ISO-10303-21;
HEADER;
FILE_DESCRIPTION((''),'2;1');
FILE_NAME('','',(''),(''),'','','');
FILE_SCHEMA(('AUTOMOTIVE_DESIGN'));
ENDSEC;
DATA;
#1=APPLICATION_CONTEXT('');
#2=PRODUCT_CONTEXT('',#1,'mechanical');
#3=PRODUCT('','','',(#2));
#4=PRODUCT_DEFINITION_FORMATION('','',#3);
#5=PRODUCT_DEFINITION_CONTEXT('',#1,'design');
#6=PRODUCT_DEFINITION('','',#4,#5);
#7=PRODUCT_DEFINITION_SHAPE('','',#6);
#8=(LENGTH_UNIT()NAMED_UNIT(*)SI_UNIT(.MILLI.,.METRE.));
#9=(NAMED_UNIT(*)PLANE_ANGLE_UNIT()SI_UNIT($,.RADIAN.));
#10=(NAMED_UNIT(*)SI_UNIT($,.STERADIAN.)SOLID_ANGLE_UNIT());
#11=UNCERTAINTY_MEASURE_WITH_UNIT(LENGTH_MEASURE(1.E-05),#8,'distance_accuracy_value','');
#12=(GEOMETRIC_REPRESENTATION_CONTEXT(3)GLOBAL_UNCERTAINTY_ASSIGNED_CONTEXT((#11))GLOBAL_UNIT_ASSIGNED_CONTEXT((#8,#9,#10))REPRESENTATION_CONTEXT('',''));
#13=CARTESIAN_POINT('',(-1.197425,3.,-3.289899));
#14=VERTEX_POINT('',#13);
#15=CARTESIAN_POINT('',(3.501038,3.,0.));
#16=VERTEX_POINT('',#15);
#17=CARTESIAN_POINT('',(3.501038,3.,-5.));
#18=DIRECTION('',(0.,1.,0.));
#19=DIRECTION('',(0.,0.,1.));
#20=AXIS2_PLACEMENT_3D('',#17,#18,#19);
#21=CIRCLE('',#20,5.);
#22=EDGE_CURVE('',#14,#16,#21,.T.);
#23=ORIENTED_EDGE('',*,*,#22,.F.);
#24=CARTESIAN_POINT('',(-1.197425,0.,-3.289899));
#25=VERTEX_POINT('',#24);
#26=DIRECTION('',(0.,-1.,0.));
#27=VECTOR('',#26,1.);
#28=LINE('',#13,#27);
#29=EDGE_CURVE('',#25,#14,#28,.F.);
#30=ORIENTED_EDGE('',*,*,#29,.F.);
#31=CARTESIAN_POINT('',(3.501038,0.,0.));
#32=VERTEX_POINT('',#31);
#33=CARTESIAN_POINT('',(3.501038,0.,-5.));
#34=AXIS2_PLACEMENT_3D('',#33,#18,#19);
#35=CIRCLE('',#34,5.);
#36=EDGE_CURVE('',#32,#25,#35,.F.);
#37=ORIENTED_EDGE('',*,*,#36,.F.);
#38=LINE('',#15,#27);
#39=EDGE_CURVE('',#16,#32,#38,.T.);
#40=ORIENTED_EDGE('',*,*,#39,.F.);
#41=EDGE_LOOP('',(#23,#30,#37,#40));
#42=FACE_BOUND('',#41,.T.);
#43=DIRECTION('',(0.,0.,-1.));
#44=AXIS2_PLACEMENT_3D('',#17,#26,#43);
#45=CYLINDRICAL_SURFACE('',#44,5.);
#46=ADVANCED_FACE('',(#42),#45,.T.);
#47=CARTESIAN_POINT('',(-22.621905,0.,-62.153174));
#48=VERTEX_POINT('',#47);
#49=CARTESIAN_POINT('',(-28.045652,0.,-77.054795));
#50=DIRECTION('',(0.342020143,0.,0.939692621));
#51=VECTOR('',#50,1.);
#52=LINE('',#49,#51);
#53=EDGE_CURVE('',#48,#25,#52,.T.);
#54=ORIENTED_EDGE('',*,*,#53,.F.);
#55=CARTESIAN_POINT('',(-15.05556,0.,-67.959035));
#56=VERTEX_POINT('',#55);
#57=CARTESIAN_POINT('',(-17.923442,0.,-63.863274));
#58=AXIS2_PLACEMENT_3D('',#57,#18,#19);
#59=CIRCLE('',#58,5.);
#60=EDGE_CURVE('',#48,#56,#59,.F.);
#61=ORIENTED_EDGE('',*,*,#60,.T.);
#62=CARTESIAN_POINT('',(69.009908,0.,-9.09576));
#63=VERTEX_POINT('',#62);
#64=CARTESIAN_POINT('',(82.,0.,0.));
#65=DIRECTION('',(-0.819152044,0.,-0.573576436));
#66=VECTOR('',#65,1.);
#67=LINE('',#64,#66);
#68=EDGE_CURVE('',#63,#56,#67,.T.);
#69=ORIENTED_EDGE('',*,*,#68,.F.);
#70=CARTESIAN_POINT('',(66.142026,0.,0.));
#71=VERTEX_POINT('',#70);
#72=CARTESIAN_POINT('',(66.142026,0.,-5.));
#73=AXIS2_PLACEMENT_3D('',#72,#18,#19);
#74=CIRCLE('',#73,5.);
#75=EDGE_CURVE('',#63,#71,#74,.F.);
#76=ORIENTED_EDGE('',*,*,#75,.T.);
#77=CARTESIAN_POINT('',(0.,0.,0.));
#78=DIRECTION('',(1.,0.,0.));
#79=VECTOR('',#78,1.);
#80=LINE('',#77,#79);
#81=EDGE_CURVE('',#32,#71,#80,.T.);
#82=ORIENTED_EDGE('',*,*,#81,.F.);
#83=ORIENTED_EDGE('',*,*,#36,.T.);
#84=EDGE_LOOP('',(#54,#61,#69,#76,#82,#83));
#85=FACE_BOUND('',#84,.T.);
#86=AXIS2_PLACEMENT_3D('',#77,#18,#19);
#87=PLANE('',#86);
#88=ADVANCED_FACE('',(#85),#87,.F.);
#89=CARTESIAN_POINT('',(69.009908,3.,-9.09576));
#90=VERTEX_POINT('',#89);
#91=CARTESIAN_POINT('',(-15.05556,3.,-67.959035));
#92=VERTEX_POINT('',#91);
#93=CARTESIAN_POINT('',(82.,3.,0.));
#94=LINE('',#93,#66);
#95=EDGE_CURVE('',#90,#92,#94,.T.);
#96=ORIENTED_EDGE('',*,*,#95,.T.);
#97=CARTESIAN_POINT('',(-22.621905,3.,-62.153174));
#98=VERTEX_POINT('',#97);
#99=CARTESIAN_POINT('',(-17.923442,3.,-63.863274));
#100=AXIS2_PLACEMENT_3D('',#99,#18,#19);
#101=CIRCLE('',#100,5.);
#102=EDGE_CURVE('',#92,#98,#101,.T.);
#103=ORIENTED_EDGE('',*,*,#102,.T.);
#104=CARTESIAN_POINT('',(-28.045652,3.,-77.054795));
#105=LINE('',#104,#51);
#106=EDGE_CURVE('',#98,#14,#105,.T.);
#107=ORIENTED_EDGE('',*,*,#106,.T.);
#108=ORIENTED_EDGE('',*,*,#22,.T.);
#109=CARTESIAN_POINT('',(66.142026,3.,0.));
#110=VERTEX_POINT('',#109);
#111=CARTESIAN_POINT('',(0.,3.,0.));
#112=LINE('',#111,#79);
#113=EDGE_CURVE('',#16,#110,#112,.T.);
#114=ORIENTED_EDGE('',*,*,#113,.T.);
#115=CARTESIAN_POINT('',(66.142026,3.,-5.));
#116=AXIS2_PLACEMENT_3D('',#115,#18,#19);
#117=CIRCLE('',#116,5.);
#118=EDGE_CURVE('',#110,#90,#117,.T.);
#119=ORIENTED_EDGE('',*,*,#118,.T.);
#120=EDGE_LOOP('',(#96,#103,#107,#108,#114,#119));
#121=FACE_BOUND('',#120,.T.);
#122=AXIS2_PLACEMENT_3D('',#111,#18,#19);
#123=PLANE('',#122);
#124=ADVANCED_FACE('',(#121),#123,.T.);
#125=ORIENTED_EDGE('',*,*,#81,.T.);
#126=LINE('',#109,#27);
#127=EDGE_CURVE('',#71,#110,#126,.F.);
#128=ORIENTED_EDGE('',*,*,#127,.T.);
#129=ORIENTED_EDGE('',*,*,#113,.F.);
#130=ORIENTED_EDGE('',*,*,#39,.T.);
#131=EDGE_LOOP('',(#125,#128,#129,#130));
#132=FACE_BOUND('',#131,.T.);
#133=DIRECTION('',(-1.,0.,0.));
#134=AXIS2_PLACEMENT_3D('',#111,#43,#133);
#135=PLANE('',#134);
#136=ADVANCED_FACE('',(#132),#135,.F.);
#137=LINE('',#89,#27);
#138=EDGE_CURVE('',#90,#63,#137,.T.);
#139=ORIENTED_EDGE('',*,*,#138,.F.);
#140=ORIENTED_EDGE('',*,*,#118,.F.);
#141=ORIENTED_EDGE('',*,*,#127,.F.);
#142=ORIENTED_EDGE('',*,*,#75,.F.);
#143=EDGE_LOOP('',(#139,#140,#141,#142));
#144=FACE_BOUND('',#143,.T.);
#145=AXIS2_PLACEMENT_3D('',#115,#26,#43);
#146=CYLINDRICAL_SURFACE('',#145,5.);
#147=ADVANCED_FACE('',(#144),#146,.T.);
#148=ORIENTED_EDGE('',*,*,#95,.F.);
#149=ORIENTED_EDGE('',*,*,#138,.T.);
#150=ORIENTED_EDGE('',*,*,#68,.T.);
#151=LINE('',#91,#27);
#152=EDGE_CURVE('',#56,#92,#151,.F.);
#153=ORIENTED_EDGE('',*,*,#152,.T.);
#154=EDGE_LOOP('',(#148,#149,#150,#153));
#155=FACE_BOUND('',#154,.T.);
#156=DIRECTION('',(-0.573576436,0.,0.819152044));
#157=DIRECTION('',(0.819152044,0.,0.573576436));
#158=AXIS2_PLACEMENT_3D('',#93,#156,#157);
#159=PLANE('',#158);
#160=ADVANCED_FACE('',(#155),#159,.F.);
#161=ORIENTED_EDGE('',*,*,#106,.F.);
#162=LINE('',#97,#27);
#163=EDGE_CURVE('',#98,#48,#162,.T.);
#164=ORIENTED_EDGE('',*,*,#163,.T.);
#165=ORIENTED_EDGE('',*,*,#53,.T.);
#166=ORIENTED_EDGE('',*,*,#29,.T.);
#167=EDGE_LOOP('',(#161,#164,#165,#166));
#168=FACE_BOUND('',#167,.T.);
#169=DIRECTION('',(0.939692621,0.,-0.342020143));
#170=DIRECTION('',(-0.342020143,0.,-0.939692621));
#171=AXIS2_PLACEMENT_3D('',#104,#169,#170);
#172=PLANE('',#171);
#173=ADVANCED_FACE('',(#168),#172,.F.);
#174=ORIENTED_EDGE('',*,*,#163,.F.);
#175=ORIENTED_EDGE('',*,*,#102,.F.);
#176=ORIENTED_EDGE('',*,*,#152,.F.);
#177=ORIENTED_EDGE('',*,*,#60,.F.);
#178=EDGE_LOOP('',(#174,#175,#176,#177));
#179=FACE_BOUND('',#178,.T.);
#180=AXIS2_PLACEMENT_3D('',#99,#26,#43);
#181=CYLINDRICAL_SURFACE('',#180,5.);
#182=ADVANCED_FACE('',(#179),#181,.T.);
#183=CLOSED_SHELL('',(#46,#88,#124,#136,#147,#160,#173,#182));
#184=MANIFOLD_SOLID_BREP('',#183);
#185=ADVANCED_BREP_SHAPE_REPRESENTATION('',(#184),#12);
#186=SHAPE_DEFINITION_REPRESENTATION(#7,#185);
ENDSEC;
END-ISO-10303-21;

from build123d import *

# Parameters (mm, degrees)
BOSS_EXTRUDE1_DEPTH = 3
FILLET1_R           = 5


with BuildPart() as part:
    # Sketch1 → Boss-Extrude1 (new body)
    with BuildSketch(Plane(origin=(0, 0, 0), x_dir=(1, 0, 0), z_dir=(0, 1, 0))):
        Polygon((0, 0), (82, 0), (-28.045651753, 77.054794904), align=None)
    extrude(amount=BOSS_EXTRUDE1_DEPTH)

    # Fillet1
    fillet1_edges = [part.edges().sort_by_distance(p)[0] for p in [
        (-28.045651753, 1.5, -77.054794904),
        (82, 1.5, 0),
        (0, 1.5, 0),
    ]]
    fillet(fillet1_edges, radius=FILLET1_R)


solid = part.part
